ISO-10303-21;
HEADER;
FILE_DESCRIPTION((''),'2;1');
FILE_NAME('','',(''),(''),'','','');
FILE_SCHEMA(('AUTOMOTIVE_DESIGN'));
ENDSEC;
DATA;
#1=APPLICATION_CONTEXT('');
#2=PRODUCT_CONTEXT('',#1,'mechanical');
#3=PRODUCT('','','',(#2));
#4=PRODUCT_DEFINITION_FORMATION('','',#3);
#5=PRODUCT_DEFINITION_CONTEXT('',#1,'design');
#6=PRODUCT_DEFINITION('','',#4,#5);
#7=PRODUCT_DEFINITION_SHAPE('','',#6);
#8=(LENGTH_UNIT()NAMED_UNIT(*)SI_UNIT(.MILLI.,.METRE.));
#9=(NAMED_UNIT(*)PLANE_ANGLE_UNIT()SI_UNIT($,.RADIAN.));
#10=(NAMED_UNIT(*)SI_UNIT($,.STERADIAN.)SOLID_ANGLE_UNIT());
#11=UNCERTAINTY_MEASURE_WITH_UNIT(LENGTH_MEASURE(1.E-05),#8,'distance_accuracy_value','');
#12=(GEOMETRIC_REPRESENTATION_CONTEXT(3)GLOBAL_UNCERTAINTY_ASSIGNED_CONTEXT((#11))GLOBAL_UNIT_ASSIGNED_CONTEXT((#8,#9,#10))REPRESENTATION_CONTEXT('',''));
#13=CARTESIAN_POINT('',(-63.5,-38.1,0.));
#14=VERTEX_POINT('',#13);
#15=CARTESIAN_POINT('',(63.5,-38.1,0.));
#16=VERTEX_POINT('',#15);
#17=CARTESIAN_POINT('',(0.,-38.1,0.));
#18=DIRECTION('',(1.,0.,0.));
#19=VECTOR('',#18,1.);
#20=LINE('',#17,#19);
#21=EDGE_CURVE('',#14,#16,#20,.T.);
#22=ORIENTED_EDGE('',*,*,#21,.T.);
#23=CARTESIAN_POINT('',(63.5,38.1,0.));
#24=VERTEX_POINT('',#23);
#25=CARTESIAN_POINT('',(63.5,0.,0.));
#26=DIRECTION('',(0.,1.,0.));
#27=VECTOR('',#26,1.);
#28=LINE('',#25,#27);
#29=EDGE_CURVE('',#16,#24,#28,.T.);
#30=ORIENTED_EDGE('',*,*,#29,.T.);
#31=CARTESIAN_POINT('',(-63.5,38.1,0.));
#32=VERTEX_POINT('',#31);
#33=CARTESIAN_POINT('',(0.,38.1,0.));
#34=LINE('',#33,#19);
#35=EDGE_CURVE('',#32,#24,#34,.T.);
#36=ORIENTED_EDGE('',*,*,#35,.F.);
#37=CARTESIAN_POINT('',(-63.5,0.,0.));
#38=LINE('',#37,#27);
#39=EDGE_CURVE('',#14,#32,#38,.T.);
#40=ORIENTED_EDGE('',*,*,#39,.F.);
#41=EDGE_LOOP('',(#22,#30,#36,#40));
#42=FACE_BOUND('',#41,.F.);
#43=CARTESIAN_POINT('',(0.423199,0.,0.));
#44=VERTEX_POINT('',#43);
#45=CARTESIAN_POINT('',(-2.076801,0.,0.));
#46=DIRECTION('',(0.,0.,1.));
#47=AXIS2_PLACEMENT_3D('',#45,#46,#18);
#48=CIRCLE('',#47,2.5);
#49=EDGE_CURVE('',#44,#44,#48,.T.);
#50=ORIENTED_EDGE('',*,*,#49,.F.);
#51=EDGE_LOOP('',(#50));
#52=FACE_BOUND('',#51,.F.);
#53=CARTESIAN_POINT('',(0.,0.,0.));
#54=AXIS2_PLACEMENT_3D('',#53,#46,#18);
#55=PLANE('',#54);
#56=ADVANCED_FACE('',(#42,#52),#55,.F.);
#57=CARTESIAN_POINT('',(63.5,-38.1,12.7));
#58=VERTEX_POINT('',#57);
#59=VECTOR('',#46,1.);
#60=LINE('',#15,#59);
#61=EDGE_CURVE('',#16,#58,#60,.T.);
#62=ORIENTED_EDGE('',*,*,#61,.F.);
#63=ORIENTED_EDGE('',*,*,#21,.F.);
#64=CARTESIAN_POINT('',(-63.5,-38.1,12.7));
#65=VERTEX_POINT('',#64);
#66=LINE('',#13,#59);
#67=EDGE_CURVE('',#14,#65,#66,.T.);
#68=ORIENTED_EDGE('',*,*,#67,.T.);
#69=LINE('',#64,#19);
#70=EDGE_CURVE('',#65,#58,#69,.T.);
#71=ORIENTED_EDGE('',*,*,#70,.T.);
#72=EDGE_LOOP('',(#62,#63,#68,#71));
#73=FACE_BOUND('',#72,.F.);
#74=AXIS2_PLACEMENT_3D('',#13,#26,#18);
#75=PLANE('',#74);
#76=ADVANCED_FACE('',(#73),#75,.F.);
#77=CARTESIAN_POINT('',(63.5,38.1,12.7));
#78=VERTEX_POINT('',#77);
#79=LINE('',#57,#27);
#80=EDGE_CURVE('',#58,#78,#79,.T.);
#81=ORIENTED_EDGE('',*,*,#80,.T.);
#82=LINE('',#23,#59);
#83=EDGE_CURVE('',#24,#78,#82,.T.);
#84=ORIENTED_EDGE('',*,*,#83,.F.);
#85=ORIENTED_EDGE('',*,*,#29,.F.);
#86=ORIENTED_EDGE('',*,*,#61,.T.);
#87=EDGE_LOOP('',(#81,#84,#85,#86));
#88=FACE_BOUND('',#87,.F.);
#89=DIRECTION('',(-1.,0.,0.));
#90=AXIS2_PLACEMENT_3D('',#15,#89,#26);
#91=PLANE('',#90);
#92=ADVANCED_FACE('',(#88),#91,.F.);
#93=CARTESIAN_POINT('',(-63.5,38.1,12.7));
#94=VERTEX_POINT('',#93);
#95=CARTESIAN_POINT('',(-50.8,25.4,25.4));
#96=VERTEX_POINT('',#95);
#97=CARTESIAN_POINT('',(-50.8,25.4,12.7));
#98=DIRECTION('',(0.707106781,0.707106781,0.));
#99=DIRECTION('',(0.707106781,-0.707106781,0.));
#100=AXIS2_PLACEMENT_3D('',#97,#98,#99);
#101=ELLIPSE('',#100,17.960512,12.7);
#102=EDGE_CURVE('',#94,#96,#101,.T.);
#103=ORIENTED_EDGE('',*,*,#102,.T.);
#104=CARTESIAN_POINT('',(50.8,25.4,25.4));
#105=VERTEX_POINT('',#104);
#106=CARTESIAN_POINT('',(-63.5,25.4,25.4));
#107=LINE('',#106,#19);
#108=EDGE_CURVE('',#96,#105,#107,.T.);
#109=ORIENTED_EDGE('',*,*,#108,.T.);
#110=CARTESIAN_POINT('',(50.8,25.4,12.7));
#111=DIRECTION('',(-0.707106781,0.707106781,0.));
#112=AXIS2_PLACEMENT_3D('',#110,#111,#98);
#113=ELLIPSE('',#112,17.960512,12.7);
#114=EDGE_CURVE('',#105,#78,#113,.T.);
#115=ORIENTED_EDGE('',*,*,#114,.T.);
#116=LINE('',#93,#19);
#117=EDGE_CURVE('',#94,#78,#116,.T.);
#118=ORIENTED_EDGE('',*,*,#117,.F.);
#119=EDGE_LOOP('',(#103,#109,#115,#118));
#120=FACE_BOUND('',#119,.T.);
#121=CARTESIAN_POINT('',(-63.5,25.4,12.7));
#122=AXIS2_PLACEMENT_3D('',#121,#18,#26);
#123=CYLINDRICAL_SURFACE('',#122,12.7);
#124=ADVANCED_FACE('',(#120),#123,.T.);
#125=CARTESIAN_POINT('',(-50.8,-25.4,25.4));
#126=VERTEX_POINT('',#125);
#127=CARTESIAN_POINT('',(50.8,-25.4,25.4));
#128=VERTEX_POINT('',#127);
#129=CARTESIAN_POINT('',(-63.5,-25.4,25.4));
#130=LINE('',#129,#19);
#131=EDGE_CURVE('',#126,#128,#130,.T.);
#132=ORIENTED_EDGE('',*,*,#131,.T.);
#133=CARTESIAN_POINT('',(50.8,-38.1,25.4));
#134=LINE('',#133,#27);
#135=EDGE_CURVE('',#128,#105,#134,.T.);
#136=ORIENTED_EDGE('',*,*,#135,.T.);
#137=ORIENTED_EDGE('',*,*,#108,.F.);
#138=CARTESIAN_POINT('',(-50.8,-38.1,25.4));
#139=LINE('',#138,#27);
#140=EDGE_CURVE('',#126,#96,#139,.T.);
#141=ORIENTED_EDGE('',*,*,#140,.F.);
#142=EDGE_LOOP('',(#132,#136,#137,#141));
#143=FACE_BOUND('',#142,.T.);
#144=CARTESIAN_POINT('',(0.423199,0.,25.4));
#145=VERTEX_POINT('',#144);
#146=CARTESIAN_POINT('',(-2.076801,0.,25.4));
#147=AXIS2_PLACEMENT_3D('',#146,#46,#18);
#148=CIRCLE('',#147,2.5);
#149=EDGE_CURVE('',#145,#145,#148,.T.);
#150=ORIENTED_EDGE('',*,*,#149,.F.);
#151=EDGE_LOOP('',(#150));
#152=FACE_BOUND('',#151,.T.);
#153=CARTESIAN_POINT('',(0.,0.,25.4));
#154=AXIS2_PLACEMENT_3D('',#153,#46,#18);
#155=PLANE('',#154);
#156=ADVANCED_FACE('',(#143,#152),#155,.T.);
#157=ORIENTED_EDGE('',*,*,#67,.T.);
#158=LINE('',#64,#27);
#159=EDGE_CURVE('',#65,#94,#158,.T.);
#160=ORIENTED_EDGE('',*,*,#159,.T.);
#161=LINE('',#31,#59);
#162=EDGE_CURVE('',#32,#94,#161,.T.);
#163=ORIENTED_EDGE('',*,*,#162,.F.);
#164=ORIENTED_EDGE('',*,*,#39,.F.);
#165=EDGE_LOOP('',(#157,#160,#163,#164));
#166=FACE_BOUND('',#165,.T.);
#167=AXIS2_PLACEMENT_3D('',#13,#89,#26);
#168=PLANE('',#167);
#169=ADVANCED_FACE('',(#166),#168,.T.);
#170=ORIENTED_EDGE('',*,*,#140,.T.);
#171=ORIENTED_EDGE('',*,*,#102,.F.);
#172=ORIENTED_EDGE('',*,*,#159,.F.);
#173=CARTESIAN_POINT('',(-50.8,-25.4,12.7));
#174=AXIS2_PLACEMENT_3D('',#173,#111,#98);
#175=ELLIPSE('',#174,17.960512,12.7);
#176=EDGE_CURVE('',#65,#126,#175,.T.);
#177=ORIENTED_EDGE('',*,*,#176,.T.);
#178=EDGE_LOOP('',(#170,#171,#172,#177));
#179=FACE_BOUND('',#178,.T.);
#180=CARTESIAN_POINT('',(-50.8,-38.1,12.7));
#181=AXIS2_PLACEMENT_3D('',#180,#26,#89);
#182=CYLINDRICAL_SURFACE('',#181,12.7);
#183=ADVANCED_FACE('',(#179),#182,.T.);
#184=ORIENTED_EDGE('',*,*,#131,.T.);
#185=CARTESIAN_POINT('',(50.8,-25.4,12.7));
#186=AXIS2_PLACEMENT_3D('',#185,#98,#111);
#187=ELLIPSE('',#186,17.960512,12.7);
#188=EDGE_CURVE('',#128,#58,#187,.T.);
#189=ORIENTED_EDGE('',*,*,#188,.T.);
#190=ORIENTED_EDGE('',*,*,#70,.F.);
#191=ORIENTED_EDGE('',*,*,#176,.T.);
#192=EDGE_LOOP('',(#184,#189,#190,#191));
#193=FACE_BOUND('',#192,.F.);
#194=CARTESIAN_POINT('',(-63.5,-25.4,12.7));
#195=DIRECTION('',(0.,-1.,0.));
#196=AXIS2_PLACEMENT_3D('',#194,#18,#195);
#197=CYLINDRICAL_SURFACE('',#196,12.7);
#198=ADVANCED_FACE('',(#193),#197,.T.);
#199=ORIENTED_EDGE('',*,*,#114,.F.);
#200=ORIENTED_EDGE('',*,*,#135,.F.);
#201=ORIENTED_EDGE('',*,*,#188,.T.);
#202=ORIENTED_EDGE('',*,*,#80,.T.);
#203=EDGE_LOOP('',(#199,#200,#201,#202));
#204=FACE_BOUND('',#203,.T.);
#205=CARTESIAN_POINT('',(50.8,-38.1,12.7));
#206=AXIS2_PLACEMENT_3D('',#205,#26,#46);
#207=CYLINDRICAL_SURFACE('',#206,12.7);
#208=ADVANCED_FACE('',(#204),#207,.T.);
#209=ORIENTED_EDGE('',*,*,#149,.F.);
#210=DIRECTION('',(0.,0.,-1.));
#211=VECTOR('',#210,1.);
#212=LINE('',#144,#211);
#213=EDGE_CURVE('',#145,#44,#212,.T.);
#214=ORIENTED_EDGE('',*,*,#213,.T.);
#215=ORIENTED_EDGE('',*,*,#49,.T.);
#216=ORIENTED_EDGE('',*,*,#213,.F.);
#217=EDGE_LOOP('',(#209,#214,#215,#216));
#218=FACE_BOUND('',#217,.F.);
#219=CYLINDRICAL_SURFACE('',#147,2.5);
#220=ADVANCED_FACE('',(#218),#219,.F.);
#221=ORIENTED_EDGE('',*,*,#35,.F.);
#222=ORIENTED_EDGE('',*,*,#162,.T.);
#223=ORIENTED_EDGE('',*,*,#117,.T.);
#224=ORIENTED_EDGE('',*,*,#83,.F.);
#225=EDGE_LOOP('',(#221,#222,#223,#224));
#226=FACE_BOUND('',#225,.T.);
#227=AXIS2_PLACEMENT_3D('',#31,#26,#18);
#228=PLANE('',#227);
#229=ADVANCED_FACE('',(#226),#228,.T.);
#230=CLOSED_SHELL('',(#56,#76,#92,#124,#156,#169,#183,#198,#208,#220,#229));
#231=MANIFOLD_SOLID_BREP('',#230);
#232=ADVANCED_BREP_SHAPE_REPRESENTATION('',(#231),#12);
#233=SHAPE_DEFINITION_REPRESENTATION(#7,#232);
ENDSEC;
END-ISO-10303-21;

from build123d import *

# Parameters (mm, degrees)
F0_W     = 127
F0_H     = 76.2
F1_DEPTH = 25.4
F2_R     = 2.5
F3_DEPTH = 25.4
F4_R     = 12.7


with BuildPart() as f1:
    # F0 (on Top) → F1 (new body)
    with BuildSketch(Plane.XY):
        Rectangle(F0_W, F0_H)
    extrude(amount=F1_DEPTH)

    # F2 (on face) → F3 (cut)
    with BuildSketch(Plane.XY.offset(25.4)):
        with Locations((-2.076801, 0)):
            Circle(F2_R)
    extrude(amount=-F3_DEPTH, mode=Mode.SUBTRACT)

    # F4
    f4_edges = [f1.edges().sort_by_distance(p)[0] for p in [
        (63.5, 0, 25.4),
        (0, 38.1, 25.4),
        (0, -38.1, 25.4),
        (-63.5, 0, 25.4),
    ]]
    fillet(f4_edges, radius=F4_R)


solid = f1.part
